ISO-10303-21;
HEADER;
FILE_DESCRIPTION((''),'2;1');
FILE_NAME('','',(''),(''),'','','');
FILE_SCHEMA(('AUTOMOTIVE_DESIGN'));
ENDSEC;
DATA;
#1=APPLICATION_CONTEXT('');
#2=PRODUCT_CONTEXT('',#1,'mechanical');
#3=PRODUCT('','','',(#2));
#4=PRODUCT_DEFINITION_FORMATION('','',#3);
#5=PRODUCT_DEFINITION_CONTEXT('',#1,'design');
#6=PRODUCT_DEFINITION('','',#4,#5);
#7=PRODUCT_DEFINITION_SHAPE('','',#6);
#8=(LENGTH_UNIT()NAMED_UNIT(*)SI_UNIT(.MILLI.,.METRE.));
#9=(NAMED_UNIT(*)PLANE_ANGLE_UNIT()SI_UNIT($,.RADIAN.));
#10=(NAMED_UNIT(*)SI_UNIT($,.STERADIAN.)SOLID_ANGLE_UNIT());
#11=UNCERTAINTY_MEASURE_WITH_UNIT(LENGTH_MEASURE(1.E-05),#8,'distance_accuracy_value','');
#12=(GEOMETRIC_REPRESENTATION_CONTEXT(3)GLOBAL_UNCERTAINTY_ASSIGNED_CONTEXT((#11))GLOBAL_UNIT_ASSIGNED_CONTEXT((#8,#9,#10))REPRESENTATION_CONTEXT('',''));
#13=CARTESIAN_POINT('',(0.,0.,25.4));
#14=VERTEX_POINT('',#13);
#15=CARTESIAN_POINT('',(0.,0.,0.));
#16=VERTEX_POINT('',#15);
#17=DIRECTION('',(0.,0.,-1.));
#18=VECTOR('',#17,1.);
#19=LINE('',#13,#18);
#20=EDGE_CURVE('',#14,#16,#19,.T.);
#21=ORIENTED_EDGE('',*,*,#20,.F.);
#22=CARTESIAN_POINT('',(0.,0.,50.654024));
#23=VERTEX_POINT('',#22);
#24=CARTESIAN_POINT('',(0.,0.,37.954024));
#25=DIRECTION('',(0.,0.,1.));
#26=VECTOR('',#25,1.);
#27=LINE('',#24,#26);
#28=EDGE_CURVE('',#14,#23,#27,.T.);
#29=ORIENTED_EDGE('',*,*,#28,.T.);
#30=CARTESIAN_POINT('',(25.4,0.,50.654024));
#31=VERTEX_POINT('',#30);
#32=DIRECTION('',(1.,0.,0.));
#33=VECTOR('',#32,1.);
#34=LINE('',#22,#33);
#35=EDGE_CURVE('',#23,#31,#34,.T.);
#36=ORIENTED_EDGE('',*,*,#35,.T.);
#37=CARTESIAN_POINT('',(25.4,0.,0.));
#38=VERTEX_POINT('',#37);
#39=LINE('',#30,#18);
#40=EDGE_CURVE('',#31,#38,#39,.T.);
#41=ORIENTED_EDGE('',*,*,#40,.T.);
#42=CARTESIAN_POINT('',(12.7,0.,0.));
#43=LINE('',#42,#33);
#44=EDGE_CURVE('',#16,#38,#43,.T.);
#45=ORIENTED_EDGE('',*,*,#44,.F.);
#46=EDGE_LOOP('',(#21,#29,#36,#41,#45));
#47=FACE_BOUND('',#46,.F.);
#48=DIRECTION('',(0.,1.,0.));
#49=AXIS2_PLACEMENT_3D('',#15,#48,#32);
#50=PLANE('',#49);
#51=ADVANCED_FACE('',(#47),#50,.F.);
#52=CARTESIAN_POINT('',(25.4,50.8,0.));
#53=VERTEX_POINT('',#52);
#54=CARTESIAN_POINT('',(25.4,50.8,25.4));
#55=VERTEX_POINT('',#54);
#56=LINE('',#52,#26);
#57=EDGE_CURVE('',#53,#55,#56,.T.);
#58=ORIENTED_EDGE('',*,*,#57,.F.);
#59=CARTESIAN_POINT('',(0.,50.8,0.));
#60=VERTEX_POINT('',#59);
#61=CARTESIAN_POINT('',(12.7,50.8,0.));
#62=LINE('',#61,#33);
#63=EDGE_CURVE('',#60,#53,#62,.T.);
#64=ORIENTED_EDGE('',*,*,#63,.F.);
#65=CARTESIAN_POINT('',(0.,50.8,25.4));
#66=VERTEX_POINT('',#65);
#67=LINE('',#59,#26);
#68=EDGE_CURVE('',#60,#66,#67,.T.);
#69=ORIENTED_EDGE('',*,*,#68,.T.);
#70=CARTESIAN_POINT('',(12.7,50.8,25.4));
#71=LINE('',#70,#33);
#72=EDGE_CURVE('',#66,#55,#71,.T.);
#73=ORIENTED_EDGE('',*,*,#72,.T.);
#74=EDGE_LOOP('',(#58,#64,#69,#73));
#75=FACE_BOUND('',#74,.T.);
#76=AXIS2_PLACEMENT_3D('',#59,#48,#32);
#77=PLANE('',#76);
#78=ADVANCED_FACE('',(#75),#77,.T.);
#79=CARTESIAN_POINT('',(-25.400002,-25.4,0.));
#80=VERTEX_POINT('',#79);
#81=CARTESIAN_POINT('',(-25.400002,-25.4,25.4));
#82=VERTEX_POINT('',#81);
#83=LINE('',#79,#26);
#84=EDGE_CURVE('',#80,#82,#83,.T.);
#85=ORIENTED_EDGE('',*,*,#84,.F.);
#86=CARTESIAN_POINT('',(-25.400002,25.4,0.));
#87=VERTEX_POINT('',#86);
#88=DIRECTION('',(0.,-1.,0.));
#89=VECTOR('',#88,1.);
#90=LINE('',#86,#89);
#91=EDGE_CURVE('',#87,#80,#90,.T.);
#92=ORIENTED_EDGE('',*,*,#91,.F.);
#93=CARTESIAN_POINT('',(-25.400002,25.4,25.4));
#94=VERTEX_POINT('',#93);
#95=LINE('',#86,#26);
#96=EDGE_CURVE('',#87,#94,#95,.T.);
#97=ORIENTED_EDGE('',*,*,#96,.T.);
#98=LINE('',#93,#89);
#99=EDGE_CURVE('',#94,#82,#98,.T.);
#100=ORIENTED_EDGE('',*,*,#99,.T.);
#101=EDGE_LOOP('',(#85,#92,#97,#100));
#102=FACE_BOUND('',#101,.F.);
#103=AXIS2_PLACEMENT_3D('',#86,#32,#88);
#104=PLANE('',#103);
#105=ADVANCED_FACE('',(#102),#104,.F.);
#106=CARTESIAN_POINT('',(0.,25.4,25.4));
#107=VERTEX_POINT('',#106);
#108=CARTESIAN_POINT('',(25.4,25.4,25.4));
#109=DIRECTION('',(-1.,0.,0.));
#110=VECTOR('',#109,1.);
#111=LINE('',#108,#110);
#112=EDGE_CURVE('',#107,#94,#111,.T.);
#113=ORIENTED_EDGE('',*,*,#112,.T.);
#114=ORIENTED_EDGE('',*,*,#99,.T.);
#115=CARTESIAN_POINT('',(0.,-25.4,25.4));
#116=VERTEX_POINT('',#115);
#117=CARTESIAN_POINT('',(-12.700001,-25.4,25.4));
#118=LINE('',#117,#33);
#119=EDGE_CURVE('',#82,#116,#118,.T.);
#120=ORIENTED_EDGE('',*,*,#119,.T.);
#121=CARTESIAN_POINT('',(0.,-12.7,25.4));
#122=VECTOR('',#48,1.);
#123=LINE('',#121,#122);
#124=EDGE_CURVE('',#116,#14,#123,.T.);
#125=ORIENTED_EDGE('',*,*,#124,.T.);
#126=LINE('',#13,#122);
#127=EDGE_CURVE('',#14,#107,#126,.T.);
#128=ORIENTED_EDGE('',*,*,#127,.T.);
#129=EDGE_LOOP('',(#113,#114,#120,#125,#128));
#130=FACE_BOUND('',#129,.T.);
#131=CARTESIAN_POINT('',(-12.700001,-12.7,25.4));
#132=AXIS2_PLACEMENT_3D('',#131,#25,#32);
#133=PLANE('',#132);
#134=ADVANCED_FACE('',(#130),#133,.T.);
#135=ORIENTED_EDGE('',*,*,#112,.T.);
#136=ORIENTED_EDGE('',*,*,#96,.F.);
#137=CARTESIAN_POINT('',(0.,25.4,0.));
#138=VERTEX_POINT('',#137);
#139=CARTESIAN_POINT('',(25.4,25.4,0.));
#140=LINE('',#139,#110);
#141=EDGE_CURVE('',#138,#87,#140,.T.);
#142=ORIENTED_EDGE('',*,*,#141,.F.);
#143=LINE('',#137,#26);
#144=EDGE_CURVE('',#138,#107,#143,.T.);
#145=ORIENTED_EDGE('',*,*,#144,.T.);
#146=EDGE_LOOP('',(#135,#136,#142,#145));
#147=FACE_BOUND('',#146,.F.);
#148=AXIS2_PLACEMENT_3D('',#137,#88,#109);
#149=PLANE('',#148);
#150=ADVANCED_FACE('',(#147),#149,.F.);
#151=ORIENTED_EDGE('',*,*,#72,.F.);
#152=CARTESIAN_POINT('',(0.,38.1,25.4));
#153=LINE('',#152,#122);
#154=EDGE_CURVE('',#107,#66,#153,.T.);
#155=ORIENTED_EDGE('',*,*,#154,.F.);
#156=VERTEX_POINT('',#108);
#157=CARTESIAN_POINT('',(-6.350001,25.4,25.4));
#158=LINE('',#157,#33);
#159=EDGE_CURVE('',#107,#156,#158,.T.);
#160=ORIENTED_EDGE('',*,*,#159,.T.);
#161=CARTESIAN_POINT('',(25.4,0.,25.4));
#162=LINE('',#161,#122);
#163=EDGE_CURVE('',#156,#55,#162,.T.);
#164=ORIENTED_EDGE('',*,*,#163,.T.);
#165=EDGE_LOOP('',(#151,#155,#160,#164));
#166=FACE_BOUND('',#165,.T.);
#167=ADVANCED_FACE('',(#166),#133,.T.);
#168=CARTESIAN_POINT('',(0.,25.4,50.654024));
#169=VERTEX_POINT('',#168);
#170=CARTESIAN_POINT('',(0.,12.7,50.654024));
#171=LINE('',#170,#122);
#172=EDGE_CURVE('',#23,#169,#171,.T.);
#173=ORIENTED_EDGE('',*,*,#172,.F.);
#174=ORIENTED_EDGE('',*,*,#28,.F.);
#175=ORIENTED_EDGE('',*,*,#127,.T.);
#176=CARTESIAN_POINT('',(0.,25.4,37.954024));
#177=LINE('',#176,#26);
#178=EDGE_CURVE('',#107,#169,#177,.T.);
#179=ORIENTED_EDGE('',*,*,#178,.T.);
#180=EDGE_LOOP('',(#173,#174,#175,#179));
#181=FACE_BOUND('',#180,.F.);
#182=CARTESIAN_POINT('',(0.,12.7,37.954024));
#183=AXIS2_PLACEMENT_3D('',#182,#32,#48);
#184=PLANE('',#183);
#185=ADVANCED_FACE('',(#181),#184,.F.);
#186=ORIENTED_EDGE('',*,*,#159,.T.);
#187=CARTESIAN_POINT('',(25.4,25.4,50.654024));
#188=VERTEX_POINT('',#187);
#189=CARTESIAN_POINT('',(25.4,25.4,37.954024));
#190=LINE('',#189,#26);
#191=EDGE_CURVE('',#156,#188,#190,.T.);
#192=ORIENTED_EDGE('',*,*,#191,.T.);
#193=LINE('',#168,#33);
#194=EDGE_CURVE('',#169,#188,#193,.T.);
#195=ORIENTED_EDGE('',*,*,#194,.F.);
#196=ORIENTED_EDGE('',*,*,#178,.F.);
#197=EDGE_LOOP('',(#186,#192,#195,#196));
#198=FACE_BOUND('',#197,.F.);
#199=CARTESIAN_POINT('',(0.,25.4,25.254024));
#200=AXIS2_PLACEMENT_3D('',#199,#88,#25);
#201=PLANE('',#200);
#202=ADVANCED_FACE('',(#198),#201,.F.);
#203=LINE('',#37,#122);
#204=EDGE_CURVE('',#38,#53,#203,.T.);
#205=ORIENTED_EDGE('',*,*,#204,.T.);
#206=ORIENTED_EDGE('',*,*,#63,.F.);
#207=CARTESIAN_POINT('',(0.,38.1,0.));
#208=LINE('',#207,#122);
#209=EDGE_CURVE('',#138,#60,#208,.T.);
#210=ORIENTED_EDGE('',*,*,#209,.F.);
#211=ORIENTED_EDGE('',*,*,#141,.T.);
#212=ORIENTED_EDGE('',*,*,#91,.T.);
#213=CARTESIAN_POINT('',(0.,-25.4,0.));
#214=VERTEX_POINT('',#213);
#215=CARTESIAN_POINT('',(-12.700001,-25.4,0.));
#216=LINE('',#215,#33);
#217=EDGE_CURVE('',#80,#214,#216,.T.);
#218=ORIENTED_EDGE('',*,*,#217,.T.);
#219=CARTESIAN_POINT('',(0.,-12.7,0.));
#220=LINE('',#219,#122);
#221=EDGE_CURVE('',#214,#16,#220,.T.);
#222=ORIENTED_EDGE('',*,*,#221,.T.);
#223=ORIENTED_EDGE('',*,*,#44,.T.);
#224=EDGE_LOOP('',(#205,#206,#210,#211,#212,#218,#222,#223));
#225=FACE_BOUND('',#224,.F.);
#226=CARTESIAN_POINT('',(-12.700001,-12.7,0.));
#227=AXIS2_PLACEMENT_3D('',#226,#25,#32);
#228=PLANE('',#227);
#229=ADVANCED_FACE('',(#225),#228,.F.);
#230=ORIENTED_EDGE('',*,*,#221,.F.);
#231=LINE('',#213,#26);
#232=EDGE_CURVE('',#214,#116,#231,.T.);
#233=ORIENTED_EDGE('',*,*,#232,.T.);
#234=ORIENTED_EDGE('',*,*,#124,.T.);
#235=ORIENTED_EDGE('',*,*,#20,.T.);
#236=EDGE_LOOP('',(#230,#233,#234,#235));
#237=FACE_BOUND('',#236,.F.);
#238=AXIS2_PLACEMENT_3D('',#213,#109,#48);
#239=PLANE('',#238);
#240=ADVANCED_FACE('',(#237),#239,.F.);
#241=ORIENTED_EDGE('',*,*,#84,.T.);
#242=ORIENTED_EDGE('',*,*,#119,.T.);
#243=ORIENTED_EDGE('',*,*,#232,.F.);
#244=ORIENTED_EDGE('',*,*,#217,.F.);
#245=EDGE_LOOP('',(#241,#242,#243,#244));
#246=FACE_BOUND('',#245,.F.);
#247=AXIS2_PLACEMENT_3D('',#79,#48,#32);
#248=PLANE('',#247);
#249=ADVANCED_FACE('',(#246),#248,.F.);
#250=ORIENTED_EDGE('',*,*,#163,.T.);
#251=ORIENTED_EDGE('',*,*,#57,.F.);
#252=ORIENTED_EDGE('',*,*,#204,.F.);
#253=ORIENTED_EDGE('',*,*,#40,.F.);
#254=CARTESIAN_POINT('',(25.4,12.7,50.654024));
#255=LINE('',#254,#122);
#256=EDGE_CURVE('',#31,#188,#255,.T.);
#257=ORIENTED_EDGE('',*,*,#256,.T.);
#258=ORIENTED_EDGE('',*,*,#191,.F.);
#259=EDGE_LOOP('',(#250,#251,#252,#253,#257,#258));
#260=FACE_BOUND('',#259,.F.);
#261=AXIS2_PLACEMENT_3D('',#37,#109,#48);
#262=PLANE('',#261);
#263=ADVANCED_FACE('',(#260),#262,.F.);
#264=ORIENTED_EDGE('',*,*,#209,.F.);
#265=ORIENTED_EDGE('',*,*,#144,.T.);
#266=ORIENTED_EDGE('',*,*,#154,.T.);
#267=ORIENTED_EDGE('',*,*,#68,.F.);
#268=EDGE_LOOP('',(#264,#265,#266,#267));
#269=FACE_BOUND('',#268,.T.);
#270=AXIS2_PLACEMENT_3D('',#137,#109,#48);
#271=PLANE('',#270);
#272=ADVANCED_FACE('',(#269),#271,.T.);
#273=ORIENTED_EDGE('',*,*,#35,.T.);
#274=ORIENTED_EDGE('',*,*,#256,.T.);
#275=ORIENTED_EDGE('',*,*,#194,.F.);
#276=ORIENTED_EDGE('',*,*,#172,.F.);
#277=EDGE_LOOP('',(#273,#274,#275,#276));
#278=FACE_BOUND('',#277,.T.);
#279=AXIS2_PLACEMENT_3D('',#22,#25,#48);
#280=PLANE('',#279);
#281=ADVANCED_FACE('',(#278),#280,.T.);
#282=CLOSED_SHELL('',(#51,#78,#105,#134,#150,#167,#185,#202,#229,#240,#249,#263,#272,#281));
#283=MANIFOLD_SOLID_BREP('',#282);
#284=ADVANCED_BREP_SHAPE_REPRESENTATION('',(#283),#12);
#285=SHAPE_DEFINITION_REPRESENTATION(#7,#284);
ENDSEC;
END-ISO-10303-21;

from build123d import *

# Parameters (mm, degrees)
F0_W     = 25.400002
F0_H     = 25.4
F0_W_2   = 25.4
F1_DEPTH = 25.4
F2_W     = 25.4
F2_H     = 25.4
F3_DEPTH = 25.4


with BuildPart() as f1:
    # F0 (on Top) → F1 (new body)
    with BuildSketch(Plane.XY):
        with Locations((-12.700001, -12.7)):
            Rectangle(F0_W, F0_H)
        with Locations((12.7, 12.7)):
            Rectangle(F0_W_2, F0_H)
        with Locations((-12.700001, 12.7)):
            Rectangle(F0_W, F0_H)
        with Locations((12.7, 38.1)):
            Rectangle(F0_W_2, F0_H)
    extrude(amount=F1_DEPTH)

    # F2 (on Right) → F3 (join)
    with BuildSketch(Plane.YZ):
        with Locations((12.7, 37.954024)):
            Rectangle(F2_W, F2_H)
    extrude(amount=F3_DEPTH)


solid = f1.part
